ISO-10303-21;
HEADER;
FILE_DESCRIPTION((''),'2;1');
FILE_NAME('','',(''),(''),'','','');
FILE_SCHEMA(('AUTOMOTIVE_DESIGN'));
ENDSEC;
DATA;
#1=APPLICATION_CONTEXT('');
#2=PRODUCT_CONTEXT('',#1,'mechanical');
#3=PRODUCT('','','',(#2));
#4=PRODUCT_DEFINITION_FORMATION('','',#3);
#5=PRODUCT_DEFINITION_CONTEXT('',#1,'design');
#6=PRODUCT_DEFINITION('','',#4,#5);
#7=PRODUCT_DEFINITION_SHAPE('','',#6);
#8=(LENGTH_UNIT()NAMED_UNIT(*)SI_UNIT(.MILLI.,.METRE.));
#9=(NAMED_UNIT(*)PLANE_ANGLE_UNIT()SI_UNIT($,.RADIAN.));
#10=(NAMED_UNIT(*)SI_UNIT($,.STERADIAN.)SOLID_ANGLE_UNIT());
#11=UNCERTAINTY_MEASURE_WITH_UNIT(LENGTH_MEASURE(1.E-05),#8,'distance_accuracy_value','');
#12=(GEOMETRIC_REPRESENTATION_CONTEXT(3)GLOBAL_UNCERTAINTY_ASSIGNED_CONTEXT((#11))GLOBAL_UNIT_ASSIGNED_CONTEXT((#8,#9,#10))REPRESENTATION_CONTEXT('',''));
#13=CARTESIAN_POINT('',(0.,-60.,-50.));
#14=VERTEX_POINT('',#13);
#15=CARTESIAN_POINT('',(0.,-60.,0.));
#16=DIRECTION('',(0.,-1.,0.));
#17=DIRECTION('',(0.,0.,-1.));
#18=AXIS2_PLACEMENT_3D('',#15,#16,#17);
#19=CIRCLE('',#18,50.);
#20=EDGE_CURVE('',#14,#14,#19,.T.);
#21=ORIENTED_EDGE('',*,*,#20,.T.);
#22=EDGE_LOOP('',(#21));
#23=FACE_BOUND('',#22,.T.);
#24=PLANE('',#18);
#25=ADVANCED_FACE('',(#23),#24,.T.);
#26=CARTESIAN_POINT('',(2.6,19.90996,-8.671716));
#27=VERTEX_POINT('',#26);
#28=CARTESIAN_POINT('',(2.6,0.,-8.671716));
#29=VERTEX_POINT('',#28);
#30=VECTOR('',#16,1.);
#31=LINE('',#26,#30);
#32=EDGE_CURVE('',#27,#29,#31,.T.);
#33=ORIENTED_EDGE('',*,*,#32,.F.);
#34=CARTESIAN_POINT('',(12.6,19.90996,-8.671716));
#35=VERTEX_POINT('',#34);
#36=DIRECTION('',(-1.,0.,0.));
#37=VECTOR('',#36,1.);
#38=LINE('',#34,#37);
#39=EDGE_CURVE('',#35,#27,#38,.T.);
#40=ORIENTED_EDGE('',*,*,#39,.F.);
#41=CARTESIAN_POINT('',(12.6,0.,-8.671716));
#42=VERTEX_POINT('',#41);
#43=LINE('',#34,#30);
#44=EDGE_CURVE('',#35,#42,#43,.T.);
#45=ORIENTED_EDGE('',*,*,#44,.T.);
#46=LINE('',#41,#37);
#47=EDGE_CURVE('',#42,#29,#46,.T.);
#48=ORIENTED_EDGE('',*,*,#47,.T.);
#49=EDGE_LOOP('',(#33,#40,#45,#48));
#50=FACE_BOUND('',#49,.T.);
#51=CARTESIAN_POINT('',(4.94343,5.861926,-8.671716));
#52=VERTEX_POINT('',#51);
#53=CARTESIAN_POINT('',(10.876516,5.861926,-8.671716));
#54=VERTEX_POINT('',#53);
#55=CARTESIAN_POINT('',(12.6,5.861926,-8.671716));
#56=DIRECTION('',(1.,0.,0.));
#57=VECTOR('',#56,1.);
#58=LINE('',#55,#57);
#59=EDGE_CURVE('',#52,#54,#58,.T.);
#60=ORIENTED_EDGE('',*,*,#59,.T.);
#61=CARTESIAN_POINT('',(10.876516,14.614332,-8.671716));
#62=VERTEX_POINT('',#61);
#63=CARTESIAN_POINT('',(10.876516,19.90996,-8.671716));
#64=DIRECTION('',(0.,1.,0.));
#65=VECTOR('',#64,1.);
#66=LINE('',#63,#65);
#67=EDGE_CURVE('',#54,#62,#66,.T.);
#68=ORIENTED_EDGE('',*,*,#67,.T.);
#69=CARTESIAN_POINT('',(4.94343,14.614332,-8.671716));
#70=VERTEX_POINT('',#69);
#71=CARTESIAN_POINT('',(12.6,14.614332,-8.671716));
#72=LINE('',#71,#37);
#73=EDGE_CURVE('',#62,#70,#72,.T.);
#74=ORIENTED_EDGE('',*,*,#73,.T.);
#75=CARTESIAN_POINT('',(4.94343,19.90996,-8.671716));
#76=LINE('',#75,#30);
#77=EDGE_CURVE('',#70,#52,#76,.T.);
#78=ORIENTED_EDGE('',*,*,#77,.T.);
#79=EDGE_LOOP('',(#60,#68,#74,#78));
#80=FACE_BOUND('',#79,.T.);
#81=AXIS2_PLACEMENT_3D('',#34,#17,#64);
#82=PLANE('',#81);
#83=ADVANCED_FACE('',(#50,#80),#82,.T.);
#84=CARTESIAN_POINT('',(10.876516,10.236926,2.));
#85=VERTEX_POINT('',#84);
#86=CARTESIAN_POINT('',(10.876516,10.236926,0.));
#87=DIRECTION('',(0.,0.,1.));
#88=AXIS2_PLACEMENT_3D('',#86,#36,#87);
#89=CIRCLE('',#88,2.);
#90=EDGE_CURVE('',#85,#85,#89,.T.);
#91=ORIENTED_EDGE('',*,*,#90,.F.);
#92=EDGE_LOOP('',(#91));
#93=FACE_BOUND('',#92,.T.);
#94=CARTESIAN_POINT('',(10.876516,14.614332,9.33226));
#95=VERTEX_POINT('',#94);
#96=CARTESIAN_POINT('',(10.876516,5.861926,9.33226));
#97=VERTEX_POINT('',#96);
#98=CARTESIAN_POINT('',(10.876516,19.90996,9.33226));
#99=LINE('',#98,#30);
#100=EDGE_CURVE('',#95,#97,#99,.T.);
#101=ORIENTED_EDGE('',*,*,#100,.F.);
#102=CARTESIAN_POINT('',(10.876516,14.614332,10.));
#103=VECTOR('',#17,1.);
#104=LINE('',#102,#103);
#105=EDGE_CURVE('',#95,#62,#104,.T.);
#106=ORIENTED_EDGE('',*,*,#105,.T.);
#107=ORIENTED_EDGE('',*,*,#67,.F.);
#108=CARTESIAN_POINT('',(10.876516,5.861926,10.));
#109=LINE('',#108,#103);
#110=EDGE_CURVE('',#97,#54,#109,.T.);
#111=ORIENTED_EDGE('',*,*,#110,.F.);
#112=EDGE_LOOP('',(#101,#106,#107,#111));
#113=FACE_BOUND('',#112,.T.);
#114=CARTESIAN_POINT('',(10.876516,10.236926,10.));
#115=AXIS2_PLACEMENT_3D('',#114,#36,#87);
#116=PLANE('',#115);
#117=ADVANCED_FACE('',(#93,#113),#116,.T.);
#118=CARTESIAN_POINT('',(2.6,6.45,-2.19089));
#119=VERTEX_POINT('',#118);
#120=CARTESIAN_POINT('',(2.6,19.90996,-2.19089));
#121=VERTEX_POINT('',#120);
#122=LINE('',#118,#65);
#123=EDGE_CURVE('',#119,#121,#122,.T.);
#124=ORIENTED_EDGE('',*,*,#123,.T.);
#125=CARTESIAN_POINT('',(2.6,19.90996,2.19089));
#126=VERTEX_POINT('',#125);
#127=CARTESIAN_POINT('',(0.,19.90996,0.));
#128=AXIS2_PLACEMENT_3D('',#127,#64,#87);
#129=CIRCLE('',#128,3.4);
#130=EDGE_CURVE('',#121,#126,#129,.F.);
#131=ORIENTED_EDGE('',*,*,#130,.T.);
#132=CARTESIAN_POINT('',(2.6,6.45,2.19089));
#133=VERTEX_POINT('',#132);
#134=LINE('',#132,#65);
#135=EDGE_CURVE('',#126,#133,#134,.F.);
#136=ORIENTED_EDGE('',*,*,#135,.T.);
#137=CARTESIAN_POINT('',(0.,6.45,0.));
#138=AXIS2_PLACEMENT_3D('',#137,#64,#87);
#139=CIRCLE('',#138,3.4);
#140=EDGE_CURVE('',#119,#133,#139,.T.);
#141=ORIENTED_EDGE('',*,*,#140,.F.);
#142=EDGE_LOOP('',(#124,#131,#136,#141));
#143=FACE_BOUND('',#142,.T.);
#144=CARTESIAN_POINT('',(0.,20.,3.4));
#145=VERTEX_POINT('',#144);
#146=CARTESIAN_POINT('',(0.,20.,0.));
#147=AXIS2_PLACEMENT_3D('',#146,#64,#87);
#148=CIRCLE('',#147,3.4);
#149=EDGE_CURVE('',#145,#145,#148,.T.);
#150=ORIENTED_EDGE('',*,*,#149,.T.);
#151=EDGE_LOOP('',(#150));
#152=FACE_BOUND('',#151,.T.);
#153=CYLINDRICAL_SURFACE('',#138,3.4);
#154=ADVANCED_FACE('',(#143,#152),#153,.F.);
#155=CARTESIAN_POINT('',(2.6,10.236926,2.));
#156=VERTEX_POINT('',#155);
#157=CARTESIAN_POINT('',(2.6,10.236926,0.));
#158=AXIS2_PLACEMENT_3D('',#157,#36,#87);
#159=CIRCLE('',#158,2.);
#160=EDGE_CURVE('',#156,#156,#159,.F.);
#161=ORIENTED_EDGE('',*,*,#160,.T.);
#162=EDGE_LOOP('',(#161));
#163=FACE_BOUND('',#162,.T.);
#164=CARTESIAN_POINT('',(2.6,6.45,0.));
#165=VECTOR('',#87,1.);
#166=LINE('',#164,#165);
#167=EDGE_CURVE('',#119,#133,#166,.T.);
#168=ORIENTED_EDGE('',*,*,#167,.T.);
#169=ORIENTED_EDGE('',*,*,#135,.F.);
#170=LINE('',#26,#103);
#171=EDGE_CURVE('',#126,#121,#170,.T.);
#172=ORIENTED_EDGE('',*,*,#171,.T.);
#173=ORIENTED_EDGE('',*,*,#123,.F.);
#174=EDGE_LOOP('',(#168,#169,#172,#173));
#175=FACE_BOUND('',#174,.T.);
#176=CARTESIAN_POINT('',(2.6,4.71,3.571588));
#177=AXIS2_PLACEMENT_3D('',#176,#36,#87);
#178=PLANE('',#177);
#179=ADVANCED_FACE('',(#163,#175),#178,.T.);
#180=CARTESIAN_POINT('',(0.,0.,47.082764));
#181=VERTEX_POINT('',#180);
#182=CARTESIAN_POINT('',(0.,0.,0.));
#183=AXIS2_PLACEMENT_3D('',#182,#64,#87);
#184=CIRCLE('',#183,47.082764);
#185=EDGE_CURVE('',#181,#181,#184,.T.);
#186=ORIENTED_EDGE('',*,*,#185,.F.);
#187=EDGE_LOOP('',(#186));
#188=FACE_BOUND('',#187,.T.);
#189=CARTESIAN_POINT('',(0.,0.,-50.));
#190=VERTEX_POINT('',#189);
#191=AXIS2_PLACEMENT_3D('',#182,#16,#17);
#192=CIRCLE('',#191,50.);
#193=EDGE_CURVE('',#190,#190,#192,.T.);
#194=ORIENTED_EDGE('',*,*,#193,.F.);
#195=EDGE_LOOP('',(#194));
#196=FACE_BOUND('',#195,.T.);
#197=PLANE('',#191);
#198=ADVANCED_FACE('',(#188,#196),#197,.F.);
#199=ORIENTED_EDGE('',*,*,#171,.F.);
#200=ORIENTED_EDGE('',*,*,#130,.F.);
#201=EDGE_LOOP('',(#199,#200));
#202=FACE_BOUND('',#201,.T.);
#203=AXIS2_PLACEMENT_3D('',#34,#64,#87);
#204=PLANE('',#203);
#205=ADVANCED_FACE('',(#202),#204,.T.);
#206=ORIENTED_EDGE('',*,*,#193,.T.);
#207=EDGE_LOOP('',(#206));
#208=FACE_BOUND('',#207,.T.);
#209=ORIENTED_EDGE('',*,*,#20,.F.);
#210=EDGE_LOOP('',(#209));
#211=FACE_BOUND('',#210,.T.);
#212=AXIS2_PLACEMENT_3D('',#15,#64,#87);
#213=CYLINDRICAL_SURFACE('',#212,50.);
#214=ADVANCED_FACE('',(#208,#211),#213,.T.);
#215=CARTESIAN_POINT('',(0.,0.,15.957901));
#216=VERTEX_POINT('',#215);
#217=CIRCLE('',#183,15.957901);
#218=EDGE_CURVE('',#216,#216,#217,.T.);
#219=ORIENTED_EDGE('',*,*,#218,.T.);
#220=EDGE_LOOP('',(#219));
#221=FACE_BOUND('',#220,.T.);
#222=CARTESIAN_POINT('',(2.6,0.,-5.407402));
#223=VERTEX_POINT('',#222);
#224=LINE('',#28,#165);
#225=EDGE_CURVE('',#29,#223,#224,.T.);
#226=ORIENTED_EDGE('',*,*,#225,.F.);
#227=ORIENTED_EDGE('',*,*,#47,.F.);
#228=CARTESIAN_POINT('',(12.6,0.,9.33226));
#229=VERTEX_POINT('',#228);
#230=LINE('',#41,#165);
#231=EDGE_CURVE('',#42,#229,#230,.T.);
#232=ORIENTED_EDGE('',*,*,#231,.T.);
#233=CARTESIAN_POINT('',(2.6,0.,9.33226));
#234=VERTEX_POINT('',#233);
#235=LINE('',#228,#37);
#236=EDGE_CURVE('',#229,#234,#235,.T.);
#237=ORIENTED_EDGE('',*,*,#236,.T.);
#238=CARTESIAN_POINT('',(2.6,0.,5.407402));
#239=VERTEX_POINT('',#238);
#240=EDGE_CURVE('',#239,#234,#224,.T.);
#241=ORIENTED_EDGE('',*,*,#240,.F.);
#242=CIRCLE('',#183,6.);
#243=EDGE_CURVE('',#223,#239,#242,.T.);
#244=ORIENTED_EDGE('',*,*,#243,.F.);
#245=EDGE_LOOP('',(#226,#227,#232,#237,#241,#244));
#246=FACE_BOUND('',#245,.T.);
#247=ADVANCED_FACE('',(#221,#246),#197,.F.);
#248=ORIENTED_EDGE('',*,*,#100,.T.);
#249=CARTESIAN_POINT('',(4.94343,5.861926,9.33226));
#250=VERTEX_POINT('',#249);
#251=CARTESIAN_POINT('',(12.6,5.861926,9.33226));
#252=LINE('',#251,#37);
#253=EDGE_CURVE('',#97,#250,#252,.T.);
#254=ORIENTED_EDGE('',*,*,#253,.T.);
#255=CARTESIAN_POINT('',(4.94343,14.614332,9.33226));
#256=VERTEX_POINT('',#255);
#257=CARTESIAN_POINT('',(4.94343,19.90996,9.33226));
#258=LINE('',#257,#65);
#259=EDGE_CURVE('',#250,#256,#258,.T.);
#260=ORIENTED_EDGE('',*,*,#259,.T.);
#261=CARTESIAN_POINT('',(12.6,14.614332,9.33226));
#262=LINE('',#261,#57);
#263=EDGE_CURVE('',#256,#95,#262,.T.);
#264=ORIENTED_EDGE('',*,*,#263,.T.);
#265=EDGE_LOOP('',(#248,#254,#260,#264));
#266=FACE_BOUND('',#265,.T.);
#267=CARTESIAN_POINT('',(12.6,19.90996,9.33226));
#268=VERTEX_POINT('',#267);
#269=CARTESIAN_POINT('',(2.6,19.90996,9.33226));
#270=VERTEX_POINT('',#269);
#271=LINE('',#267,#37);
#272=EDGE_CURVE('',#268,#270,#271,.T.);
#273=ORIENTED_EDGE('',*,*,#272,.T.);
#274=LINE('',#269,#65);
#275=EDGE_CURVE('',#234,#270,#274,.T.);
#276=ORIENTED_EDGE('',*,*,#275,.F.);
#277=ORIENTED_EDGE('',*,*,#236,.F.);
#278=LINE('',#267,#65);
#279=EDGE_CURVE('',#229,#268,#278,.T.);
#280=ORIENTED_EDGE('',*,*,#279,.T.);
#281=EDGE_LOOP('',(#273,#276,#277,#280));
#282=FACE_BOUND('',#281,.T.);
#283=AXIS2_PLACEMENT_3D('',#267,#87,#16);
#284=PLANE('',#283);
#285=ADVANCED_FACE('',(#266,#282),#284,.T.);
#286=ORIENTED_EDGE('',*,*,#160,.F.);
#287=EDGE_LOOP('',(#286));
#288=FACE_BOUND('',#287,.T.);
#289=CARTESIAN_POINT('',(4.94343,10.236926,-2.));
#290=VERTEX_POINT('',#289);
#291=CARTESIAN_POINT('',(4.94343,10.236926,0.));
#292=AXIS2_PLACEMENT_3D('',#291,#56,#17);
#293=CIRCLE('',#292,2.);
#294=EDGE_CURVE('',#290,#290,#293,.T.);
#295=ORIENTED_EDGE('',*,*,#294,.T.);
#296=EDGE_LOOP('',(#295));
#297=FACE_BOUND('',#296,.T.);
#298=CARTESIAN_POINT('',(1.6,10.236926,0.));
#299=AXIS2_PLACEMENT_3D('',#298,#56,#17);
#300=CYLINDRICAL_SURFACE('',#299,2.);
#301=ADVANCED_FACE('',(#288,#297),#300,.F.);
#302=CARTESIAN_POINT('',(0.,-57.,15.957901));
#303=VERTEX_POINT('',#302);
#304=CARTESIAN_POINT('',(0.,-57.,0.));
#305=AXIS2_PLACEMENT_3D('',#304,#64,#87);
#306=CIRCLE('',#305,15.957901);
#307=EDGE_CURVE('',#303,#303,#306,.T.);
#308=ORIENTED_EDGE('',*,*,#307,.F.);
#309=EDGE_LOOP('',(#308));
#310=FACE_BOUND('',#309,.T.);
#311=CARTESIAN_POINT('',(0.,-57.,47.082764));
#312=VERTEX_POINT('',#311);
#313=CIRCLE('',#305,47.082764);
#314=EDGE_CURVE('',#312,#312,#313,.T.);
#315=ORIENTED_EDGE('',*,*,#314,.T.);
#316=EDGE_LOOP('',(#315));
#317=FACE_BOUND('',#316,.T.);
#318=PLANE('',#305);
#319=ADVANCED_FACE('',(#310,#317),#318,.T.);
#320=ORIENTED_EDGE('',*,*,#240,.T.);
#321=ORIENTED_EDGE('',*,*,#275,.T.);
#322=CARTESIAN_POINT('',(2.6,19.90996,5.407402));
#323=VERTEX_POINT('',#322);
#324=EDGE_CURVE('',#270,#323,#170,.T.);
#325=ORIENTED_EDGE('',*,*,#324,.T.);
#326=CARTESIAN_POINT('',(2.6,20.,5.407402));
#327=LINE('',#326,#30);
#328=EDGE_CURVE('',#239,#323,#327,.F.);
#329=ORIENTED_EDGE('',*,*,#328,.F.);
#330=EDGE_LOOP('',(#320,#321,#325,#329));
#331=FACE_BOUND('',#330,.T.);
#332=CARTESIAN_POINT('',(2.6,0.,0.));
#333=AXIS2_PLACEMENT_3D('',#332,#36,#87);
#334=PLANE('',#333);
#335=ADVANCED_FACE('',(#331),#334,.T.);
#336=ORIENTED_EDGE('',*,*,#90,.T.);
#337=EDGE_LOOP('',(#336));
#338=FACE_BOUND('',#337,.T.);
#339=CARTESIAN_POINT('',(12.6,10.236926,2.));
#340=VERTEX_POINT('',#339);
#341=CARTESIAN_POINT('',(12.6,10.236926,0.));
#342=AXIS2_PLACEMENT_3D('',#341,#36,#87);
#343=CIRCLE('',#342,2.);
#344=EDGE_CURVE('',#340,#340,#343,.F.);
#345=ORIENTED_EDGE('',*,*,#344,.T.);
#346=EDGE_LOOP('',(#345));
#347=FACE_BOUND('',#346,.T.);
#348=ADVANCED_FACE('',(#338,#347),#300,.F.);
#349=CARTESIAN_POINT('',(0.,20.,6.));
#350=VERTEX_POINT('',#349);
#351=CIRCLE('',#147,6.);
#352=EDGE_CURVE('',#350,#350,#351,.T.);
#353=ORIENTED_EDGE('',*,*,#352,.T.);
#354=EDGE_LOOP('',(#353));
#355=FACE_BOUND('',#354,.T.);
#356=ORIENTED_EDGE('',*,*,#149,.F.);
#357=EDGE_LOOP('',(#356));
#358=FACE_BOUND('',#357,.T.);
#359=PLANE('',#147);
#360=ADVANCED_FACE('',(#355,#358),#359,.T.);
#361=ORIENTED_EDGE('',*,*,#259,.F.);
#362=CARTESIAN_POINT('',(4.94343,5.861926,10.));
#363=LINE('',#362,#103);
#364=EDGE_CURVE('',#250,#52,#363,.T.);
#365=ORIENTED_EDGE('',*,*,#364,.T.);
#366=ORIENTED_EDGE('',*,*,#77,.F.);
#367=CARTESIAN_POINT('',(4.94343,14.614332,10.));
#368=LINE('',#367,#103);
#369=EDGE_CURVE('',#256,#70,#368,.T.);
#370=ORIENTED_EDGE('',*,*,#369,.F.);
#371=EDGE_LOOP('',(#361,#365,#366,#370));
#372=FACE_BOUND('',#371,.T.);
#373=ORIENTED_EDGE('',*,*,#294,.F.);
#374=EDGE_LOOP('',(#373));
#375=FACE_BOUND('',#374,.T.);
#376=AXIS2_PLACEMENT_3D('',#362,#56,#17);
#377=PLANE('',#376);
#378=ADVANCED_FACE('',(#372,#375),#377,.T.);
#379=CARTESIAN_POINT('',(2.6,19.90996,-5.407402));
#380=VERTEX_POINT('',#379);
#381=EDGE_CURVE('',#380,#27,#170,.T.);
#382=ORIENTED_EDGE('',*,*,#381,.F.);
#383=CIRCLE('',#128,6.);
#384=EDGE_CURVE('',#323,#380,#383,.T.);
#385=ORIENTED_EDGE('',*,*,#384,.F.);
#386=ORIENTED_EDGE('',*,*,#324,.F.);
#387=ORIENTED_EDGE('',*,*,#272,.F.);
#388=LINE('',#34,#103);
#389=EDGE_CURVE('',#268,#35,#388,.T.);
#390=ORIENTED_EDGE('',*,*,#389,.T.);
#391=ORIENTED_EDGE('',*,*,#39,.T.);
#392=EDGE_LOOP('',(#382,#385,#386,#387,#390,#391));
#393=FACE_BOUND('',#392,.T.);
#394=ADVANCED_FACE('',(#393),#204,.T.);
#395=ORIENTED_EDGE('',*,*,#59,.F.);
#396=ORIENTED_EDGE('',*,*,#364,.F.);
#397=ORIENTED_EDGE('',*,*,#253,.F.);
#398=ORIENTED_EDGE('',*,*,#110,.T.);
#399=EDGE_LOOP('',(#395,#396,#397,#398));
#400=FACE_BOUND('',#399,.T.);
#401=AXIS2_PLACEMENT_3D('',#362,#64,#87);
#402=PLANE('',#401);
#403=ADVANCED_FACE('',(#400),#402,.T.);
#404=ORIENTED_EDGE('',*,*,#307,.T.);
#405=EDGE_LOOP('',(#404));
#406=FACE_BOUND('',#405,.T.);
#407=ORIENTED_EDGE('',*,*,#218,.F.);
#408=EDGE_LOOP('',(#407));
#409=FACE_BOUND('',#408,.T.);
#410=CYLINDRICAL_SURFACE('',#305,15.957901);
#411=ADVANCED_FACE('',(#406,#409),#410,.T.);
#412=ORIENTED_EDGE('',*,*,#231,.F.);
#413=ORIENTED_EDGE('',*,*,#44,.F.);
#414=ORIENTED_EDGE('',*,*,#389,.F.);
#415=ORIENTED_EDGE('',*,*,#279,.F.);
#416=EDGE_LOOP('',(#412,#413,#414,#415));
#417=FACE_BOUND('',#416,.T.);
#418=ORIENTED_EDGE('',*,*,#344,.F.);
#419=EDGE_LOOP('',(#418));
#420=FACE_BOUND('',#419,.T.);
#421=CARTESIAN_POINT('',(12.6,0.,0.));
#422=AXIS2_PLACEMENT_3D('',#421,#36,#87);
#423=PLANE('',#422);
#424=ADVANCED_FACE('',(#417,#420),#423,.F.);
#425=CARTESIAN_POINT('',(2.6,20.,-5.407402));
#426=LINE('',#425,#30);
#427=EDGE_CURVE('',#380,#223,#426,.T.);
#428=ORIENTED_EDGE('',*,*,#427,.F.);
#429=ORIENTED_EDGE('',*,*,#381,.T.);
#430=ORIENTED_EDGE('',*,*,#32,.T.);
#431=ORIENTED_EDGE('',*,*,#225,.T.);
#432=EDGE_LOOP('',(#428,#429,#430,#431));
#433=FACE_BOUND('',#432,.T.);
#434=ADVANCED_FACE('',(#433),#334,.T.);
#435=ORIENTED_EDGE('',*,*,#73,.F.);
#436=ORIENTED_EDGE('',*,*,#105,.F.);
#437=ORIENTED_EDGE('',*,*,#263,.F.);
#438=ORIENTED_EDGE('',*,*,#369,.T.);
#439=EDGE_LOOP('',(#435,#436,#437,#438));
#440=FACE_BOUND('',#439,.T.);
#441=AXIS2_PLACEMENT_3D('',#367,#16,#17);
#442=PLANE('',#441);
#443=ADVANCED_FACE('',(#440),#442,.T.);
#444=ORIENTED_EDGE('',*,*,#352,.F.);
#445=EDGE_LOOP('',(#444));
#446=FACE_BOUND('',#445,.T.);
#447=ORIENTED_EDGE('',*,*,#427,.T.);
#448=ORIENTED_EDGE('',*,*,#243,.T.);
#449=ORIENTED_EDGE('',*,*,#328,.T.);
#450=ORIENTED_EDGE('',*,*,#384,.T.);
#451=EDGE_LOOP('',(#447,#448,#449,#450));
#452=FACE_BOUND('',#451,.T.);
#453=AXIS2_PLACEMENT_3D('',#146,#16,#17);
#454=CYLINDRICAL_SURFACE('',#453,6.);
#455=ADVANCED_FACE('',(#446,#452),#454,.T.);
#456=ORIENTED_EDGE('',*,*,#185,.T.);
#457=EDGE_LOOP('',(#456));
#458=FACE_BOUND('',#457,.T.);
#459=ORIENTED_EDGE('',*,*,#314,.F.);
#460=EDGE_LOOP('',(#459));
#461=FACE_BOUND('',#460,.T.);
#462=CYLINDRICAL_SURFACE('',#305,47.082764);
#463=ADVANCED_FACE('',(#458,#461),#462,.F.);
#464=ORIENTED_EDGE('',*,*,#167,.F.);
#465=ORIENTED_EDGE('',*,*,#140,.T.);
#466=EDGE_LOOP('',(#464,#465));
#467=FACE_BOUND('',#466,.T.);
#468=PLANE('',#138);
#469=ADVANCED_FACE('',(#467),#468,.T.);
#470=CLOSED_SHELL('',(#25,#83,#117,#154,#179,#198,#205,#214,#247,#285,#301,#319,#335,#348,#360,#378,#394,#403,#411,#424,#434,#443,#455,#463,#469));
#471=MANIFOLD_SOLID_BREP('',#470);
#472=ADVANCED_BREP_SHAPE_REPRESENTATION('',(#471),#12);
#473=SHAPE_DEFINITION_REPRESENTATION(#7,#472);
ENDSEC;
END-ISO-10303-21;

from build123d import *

# Parameters (mm, degrees)
SKETCH1_R               = 6
BOSS_EXTRUDE1_DEPTH     = 20
SKETCH2_R               = 3.4
CUT_EXTRUDE1_DEPTH      = 13.55
SKETCH5_W               = 1.550685087
SKETCH5_H               = 7.184215806
BOSS_EXTRUDE2_DEPTH     = 13.55
SKETCH7_W               = 18.003976239
SKETCH7_H               = 19.909960041
BOSS_EXTRUDE3_DEPTH     = 10
CUT_EXTRUDE2_DEPTH      = 1
CUT_EXTRUDE2_DEPTH_BACK = 13.55
SKETCH6_R               = 2
CUT_EXTRUDE3_DEPTH      = 10
CUT_EXTRUDE3_DEPTH_BACK = 10
SKETCH10_R              = 50
BOSS_EXTRUDE4_DEPTH     = 60
SKETCH12_R              = 47.082764373
SKETCH12_R_2            = 15.95790089
CUT_EXTRUDE5_DEPTH      = 57


with BuildPart() as part:
    # Sketch1 → Boss-Extrude1 (new body)
    with BuildSketch(Plane(origin=(0, 0, 0), x_dir=(1, 0, 0), z_dir=(0, 1, 0))):
        Circle(SKETCH1_R)
    extrude(amount=BOSS_EXTRUDE1_DEPTH)

    # Sketch2 → Cut-Extrude1 (cut)
    with BuildSketch(Plane(origin=(0, 20, 0), x_dir=(1, 0, 0), z_dir=(0, 1, 0))):
        Circle(SKETCH2_R)
    extrude(amount=-CUT_EXTRUDE1_DEPTH, mode=Mode.SUBTRACT)

    # Sketch5 → Boss-Extrude2 (add)
    with BuildSketch(Plane(origin=(0, 18.26, 0), x_dir=(1, 0, 0), z_dir=(0, 1, 0))):
        with Locations((3.375342544, 0.020519704)):
            Rectangle(SKETCH5_W, SKETCH5_H)
    extrude(amount=-BOSS_EXTRUDE2_DEPTH)

    # Sketch7 → Boss-Extrude3 (add)
    with BuildSketch(Plane.ZY.offset(-2.6)):
        with Locations((0.33027221, 9.954980021)):
            Rectangle(SKETCH7_W, SKETCH7_H)
    extrude(amount=-BOSS_EXTRUDE3_DEPTH)

    # Sketch6 → Cut-Extrude2 (cut, two sides: drawn at the far end of the back side and taken through both)
    with BuildSketch(Plane.ZY.offset(-2.6).offset(-CUT_EXTRUDE2_DEPTH_BACK)):
        with Locations((0, 10.236925537)):
            Circle(SKETCH6_R)
    extrude(amount=CUT_EXTRUDE2_DEPTH + CUT_EXTRUDE2_DEPTH_BACK, mode=Mode.SUBTRACT)

    # Sketch9 → Cut-Extrude3 (cut, two sides: drawn at the far end of the back side and taken through both)
    with BuildSketch(Plane.XY.offset(-CUT_EXTRUDE3_DEPTH_BACK)):
        Polygon((10.876516382, 10.236925537), (10.876516382, 5.861925537), (4.943430227, 5.861925537), (4.943430227, 10.236925537), (4.943430227, 14.614332445), (10.876516382, 14.614332445), align=None)
    extrude(amount=CUT_EXTRUDE3_DEPTH + CUT_EXTRUDE3_DEPTH_BACK, mode=Mode.SUBTRACT)

    # Sketch10 → Boss-Extrude4 (add)
    with BuildSketch(Plane.XZ):
        Circle(SKETCH10_R)
    extrude(amount=BOSS_EXTRUDE4_DEPTH)

    # Sketch12 → Cut-Extrude5 (cut)
    with BuildSketch(Plane(origin=(0, 0, 0), x_dir=(1, 0, 0), z_dir=(0, 1, 0))):
        Circle(SKETCH12_R)
        Circle(SKETCH12_R_2, mode=Mode.SUBTRACT)
    extrude(amount=-CUT_EXTRUDE5_DEPTH, mode=Mode.SUBTRACT)


solid = part.part
